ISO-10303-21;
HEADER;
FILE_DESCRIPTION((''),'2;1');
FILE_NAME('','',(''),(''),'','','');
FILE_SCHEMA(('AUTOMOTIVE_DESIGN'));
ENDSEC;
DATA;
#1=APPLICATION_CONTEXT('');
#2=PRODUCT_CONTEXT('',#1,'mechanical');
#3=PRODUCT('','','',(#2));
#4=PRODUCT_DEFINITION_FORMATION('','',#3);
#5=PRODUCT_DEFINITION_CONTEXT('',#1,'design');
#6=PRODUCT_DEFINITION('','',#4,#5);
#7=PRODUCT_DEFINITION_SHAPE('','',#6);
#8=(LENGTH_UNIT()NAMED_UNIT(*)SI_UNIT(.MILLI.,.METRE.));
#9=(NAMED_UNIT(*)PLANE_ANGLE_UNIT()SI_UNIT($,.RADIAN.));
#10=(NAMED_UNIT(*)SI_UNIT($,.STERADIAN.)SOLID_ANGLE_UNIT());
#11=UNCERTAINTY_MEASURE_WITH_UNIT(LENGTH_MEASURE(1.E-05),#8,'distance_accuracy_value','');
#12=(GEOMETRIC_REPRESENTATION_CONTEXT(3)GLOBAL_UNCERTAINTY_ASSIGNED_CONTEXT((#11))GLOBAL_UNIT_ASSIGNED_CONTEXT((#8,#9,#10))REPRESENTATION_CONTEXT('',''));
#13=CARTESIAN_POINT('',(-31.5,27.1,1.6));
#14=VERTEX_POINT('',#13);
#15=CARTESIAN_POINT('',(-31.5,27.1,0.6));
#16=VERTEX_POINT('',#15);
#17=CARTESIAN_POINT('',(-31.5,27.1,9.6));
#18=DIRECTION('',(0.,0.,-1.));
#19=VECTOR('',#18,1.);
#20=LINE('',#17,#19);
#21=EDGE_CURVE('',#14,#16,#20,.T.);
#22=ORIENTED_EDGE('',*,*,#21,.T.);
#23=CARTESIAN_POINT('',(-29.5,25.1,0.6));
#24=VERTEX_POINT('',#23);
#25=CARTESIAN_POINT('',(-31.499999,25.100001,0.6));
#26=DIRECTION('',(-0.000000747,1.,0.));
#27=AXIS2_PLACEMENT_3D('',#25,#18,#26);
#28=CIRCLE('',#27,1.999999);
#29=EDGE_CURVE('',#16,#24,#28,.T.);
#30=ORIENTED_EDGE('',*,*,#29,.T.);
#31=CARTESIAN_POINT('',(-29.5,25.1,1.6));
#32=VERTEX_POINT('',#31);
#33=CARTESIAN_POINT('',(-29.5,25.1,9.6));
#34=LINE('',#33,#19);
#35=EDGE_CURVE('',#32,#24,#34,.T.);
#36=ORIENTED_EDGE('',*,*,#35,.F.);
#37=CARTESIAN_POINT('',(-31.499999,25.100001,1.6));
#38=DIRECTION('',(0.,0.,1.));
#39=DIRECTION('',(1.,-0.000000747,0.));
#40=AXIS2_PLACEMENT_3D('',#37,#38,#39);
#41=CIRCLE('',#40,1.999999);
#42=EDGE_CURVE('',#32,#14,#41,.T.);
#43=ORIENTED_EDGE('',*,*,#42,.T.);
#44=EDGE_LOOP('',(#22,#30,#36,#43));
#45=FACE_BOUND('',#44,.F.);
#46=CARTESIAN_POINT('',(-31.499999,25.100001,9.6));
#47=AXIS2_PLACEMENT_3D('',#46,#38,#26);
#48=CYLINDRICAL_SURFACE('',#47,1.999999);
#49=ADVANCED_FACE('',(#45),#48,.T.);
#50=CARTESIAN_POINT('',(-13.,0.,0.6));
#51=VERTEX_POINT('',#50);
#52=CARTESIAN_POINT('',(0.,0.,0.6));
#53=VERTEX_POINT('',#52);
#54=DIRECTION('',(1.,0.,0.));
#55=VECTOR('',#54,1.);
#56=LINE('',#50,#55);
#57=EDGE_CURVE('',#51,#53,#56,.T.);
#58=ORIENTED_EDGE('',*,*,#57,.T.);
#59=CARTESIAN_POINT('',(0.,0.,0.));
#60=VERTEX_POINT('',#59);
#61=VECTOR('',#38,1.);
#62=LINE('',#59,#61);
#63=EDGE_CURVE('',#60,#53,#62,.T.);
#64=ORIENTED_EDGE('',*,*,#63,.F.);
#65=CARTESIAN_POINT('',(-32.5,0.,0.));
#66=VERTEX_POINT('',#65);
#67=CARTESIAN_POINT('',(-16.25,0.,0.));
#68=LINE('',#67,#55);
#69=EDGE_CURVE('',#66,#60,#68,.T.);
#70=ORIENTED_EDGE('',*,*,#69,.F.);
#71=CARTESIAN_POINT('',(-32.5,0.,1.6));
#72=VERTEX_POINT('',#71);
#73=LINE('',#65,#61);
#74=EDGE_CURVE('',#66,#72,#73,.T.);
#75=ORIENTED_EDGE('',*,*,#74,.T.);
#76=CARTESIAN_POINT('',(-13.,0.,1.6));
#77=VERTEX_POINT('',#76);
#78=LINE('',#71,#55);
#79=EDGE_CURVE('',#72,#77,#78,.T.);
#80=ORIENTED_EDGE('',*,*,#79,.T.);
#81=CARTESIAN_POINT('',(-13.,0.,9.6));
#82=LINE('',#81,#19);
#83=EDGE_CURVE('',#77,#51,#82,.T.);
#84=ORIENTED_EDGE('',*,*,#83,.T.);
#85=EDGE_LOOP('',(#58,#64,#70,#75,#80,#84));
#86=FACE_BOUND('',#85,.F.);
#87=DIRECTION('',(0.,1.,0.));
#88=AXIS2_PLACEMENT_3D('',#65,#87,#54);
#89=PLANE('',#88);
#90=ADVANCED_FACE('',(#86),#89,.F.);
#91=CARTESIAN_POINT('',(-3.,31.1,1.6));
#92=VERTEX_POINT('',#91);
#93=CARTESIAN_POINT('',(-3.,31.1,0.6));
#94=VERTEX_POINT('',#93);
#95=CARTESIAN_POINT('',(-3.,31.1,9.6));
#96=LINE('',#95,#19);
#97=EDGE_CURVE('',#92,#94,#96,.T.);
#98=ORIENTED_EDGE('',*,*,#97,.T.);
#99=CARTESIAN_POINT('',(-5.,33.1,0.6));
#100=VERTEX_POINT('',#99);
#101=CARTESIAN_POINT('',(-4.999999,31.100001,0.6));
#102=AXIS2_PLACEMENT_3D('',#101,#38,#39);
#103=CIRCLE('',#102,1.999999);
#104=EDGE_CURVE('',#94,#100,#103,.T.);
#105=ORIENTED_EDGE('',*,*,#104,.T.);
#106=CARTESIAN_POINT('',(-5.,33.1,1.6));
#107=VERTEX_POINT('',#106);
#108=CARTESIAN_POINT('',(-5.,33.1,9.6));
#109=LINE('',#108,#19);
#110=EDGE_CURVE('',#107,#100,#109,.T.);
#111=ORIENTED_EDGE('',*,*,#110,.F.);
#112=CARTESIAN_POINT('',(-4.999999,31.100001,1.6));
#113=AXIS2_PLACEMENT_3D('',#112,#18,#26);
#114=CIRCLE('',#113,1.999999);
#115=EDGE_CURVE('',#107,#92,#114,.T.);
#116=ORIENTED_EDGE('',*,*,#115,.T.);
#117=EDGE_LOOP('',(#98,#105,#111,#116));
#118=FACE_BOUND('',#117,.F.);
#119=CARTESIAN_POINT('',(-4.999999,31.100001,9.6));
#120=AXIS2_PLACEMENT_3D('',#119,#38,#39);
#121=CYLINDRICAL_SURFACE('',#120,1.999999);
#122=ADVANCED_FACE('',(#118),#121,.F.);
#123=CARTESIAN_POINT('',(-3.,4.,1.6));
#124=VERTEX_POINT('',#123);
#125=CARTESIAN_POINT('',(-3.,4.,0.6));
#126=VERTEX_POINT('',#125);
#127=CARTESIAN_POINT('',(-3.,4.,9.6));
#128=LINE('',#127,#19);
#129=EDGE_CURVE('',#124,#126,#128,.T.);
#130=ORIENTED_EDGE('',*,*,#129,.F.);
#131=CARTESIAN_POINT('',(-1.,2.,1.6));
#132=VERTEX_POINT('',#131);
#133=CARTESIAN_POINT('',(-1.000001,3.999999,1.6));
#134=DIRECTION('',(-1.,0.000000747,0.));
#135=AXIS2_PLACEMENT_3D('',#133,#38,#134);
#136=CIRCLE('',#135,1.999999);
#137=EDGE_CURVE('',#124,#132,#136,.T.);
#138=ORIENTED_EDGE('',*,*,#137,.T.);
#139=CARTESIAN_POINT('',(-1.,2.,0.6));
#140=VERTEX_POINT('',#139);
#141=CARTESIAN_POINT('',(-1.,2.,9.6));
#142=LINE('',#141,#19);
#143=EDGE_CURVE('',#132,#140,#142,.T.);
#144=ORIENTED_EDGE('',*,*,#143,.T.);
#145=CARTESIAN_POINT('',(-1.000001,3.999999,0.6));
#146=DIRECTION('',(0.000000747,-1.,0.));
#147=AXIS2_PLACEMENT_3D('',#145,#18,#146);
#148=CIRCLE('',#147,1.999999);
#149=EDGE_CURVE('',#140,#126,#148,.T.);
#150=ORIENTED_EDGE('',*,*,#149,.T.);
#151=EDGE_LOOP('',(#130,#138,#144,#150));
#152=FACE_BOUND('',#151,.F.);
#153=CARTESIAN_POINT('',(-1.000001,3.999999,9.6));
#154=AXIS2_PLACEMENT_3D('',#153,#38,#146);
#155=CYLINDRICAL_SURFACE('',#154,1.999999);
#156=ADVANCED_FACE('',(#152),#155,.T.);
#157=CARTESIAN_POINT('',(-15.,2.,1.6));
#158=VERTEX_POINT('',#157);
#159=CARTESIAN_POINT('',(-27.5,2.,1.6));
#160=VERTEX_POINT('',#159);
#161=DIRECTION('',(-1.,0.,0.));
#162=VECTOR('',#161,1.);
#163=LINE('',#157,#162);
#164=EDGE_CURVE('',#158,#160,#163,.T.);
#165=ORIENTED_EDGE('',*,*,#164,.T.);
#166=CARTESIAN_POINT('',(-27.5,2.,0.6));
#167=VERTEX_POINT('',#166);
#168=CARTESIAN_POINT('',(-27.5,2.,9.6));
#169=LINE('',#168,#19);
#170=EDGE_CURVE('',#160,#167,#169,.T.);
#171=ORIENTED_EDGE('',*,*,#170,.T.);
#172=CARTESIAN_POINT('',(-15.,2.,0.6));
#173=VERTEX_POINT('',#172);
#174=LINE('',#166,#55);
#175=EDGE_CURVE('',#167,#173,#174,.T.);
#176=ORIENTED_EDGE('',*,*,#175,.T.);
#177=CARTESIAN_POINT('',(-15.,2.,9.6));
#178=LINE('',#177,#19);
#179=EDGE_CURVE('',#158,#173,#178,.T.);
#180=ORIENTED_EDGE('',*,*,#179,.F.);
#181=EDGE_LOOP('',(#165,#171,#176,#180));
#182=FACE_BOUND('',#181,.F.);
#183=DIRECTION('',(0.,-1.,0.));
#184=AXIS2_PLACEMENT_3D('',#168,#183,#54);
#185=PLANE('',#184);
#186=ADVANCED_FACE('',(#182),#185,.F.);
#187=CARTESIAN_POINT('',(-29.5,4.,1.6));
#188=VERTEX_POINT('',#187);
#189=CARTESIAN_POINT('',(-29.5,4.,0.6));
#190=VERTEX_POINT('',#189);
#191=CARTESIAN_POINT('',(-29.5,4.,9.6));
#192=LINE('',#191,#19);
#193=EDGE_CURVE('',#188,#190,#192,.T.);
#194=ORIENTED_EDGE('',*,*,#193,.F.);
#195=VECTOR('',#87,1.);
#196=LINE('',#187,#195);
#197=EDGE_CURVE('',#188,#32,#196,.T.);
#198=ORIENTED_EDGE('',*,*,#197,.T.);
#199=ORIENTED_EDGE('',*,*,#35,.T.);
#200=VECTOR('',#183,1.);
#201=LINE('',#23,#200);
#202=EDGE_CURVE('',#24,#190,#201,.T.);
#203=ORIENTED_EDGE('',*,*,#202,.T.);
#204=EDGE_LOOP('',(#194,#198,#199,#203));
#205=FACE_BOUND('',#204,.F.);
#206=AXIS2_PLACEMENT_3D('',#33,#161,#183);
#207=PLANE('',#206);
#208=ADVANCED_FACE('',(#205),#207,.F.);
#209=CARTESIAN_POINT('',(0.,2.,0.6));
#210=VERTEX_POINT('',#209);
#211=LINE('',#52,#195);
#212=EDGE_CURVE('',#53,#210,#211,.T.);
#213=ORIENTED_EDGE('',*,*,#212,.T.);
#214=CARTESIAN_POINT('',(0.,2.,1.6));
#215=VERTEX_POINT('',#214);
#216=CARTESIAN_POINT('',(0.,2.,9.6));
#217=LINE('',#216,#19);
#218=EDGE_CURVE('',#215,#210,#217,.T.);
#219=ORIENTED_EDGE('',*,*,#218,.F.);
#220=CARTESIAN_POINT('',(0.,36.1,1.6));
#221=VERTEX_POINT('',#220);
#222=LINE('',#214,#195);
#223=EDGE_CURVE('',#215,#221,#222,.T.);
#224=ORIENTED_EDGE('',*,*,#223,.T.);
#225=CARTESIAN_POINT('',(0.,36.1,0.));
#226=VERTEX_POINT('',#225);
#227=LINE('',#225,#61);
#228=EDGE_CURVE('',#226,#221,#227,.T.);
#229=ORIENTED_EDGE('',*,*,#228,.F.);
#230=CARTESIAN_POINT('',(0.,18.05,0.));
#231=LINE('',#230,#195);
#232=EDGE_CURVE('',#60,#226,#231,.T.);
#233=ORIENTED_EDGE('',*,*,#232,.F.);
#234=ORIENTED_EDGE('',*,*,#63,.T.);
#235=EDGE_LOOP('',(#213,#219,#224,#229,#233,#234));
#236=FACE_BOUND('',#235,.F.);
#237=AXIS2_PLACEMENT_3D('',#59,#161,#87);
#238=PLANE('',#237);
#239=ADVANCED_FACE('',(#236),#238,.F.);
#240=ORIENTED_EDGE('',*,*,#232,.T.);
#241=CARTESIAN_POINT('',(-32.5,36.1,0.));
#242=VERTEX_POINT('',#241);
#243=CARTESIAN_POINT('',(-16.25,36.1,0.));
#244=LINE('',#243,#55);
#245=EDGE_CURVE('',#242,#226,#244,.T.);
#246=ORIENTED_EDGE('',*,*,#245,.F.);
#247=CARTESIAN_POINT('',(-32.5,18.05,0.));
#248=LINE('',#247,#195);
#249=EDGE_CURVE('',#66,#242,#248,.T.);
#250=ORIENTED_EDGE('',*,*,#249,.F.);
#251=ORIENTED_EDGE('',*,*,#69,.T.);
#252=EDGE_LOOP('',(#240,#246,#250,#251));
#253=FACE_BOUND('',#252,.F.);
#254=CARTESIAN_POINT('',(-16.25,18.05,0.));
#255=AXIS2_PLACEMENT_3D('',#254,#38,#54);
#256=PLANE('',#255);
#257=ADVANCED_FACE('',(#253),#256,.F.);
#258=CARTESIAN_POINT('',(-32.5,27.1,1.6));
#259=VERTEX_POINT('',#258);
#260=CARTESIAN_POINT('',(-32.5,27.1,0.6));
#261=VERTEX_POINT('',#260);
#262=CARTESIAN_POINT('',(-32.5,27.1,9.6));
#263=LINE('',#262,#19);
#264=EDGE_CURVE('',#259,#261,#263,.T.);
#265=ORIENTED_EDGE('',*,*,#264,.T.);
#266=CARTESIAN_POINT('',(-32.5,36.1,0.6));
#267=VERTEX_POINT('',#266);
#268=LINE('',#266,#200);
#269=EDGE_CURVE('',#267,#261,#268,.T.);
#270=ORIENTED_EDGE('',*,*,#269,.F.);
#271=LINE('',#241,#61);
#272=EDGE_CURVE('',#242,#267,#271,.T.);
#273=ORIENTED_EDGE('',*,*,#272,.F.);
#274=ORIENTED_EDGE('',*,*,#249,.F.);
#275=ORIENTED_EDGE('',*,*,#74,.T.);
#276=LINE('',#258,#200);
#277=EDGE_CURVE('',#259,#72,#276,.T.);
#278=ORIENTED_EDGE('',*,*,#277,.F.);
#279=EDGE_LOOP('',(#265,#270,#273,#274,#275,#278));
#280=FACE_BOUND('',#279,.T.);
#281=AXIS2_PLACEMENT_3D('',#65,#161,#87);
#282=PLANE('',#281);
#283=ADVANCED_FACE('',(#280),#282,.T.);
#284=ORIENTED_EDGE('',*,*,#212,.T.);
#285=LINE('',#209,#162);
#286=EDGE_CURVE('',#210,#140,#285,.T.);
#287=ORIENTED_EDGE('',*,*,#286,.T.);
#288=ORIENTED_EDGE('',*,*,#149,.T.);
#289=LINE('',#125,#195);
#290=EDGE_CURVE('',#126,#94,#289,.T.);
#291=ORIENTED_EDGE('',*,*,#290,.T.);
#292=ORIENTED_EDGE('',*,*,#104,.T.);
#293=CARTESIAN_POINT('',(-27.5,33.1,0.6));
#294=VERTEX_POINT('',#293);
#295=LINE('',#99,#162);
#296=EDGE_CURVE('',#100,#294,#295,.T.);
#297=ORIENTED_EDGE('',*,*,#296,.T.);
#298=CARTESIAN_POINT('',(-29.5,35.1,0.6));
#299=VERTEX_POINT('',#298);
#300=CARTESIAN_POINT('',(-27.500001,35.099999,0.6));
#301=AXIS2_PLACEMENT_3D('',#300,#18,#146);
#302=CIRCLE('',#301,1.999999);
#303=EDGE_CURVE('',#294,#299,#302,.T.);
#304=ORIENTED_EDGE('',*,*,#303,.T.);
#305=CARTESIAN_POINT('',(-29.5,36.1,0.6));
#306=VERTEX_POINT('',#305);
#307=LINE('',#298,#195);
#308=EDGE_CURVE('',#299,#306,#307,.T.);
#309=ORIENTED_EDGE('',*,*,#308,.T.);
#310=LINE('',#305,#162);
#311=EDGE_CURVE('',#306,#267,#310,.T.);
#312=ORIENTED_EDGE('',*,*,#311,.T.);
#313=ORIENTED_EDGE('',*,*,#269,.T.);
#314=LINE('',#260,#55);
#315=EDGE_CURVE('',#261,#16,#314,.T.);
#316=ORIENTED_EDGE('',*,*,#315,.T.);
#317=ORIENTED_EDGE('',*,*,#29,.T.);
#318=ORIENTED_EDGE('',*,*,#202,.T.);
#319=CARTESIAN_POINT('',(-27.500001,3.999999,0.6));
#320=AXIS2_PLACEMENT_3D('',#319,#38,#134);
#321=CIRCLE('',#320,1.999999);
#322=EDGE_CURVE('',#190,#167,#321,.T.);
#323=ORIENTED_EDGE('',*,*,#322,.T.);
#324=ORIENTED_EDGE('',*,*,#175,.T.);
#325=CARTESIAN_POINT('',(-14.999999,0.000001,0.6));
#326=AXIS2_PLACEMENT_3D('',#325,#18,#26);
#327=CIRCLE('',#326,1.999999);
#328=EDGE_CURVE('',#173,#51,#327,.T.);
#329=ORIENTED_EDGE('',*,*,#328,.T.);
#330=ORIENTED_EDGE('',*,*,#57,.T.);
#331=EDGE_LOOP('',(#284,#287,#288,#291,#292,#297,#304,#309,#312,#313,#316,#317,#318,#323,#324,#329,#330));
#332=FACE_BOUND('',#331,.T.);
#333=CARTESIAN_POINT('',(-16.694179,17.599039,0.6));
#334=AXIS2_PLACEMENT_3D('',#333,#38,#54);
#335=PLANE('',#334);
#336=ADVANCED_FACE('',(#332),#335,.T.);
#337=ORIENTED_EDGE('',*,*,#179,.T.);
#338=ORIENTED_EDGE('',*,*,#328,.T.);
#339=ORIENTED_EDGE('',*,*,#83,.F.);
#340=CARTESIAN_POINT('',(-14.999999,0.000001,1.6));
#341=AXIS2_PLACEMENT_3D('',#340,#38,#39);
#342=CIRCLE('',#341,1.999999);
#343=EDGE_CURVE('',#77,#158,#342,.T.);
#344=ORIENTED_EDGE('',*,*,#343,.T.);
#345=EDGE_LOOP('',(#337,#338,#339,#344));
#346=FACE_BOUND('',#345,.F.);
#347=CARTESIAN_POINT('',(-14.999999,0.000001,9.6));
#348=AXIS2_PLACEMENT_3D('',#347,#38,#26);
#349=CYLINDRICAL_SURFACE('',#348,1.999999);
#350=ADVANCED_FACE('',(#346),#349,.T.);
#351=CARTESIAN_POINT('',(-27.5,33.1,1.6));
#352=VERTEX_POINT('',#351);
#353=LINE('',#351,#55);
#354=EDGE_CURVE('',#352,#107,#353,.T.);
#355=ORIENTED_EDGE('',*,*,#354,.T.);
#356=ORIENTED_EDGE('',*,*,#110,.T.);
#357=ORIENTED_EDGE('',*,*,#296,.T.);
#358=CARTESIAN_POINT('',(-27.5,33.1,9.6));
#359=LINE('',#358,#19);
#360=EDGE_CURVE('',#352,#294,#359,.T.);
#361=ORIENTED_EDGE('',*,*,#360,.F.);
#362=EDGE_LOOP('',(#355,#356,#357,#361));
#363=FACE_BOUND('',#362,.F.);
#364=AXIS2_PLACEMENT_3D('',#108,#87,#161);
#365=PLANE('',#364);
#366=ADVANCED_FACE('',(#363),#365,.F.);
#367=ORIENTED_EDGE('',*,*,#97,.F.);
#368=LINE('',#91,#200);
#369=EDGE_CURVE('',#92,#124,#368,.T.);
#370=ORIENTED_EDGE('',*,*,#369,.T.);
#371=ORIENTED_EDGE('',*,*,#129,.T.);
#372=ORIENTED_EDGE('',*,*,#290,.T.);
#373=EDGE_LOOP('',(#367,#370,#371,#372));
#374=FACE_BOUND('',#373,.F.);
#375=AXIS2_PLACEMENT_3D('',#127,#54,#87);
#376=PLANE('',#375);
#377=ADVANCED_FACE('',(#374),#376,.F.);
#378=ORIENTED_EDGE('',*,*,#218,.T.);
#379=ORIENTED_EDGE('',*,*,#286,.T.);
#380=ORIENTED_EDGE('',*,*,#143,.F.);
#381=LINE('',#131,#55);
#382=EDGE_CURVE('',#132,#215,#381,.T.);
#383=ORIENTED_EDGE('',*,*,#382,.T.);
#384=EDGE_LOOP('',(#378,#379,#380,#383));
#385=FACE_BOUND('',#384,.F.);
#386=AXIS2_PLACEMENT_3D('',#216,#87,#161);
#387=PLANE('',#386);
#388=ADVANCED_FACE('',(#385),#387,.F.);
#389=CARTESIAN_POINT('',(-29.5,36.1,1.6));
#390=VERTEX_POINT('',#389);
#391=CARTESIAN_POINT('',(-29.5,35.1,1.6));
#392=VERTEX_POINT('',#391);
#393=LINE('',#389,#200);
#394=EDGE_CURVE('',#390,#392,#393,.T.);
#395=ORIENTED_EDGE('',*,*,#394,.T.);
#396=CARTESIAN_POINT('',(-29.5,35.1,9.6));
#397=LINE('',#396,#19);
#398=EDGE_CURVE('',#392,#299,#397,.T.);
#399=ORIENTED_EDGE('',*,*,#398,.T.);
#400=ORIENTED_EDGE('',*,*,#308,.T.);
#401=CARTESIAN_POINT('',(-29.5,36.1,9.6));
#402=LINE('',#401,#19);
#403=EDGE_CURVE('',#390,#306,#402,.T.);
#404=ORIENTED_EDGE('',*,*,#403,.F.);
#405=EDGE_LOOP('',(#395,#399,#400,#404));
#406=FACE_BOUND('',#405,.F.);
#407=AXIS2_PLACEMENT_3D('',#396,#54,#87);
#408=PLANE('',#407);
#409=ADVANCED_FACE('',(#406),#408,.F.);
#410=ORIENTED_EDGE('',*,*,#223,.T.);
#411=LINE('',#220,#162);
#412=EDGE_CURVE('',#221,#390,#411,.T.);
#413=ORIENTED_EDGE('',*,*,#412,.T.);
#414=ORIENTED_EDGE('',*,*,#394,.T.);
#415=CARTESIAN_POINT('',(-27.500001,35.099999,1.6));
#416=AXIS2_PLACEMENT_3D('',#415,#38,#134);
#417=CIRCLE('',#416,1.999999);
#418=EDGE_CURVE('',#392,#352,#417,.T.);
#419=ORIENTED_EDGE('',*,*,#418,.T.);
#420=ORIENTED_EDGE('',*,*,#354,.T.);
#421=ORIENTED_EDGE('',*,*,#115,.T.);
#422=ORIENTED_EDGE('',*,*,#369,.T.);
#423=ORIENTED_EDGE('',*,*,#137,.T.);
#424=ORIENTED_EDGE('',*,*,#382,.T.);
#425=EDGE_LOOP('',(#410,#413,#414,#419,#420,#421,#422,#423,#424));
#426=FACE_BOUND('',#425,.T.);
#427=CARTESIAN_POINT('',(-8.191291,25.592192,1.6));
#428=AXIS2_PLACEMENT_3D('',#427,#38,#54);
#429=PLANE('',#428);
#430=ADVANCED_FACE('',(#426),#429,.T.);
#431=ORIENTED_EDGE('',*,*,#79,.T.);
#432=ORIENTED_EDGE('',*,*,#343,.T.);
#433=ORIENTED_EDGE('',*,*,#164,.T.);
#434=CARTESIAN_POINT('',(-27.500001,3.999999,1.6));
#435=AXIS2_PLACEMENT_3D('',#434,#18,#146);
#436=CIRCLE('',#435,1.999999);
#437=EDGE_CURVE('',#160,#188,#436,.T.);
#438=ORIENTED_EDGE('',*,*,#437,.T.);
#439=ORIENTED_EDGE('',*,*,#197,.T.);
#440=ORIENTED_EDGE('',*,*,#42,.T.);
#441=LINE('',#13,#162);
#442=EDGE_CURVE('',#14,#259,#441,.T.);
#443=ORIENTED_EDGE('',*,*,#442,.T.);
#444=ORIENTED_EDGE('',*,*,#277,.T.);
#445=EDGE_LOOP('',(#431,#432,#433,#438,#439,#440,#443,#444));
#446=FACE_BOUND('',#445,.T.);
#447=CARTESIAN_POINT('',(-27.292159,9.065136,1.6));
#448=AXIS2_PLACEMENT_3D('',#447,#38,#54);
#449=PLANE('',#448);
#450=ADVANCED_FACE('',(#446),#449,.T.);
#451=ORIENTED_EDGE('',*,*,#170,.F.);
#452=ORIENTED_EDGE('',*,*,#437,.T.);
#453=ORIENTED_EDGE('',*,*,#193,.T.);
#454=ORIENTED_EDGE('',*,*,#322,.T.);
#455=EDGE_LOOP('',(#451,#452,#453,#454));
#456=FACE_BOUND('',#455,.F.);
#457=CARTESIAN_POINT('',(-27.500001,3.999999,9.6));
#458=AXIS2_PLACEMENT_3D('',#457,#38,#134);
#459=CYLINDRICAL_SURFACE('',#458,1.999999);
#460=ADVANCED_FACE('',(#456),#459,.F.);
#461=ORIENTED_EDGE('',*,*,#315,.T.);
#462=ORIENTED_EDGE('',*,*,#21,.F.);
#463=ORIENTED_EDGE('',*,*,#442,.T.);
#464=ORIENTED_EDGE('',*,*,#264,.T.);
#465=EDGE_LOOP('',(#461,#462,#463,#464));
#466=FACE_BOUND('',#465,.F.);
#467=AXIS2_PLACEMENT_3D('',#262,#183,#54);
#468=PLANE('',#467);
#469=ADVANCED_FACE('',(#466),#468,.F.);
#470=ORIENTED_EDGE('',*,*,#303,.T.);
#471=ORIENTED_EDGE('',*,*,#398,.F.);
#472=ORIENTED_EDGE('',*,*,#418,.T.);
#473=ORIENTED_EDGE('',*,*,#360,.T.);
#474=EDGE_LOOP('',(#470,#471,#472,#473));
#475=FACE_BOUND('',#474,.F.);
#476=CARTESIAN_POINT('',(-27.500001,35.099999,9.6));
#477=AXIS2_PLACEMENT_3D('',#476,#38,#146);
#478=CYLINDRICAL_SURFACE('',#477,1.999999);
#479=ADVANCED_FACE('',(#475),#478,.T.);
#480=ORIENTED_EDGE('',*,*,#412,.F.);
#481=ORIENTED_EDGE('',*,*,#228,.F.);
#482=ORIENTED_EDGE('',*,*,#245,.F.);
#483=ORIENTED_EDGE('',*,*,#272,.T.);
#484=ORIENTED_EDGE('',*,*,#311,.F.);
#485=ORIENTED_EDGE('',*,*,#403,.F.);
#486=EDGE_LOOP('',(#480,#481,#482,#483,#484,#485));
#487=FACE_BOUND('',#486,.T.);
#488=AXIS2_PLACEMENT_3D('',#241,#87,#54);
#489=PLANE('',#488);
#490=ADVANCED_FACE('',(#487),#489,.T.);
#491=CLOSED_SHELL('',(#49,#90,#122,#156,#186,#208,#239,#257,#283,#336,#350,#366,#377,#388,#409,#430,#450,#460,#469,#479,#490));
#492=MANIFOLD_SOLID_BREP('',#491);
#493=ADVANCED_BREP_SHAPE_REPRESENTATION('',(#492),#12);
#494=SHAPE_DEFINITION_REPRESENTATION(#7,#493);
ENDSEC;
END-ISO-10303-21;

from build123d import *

# Parameters (mm, degrees)
F0_W     = 32.5
F0_H     = 36.1
F1_DEPTH = 9.6
F3_DEPTH = 8
F4_DEPTH = 9


with BuildPart() as f1:
    # F0 (on Top) → F1 (new body)
    with BuildSketch(Plane.XY):
        with Locations((-16.25, 18.05)):
            Rectangle(F0_W, F0_H)
    extrude(amount=F1_DEPTH)

    # F2 (on face) → F3 (cut)
    with BuildSketch(Plane.XY.offset(9.6)):
        with BuildLine():
            Line((-32.5, 0), (-13, 0))
            ThreePointArc((-13, 0), (-13.585786, 1.414214), (-15, 2))
            Line((-15, 2), (-27.5, 2))
            ThreePointArc((-27.5, 2), (-28.914214, 2.585786), (-29.5, 4))
            Line((-29.5, 4), (-29.5, 25.1))
            ThreePointArc((-29.5, 25.1), (-30.085786, 26.514214), (-31.5, 27.1))
            Line((-31.5, 27.1), (-32.5, 27.1))
            Line((-32.5, 27.1), (-32.5, 0))
        make_face()
        with BuildLine():
            Line((-3, 31.1), (-3, 4))
            ThreePointArc((-3, 4), (-2.414214, 2.585786), (-1, 2))
            Line((-1, 2), (0, 2))
            Line((0, 2), (0, 36.1))
            Line((0, 36.1), (-29.5, 36.1))
            Line((-29.5, 36.1), (-29.5, 35.1))
            ThreePointArc((-29.5, 35.1), (-28.914214, 33.685786), (-27.5, 33.1))
            Line((-27.5, 33.1), (-5, 33.1))
            ThreePointArc((-5, 33.1), (-3.585786, 32.514214), (-3, 31.1))
        make_face()
    extrude(amount=-F3_DEPTH, mode=Mode.SUBTRACT)

    # F1_face (on face) → F4 (cut)
    with BuildSketch(Plane(origin=(-16.25, 18.05, 9.6), x_dir=(1, 0, 0), z_dir=(0, 0, 1))):
        with BuildLine():
            ThreePointArc((1.25, -16.05), (2.664214, -16.635786), (3.25, -18.05))
            Line((3.25, -18.05), (16.25, -18.05))
            Line((16.25, -18.05), (16.25, -16.05))
            Line((16.25, -16.05), (15.25, -16.05))
            ThreePointArc((15.25, -16.05), (13.835786, -15.464214), (13.25, -14.05))
            Line((13.25, -14.05), (13.25, 13.05))
            ThreePointArc((13.25, 13.05), (12.664214, 14.464214), (11.25, 15.05))
            Line((11.25, 15.05), (-11.25, 15.05))
            ThreePointArc((-11.25, 15.05), (-12.664214, 15.635786), (-13.25, 17.05))
            Line((-13.25, 17.05), (-13.25, 18.05))
            Line((-13.25, 18.05), (-16.25, 18.05))
            Line((-16.25, 18.05), (-16.25, 9.05))
            Line((-16.25, 9.05), (-15.25, 9.05))
            ThreePointArc((-15.25, 9.05), (-13.835786, 8.464214), (-13.25, 7.05))
            Line((-13.25, 7.05), (-13.25, -14.05))
            ThreePointArc((-13.25, -14.05), (-12.664214, -15.464214), (-11.25, -16.05))
            Line((-11.25, -16.05), (1.25, -16.05))
        make_face()
    extrude(amount=-F4_DEPTH, mode=Mode.SUBTRACT)


solid = f1.part
